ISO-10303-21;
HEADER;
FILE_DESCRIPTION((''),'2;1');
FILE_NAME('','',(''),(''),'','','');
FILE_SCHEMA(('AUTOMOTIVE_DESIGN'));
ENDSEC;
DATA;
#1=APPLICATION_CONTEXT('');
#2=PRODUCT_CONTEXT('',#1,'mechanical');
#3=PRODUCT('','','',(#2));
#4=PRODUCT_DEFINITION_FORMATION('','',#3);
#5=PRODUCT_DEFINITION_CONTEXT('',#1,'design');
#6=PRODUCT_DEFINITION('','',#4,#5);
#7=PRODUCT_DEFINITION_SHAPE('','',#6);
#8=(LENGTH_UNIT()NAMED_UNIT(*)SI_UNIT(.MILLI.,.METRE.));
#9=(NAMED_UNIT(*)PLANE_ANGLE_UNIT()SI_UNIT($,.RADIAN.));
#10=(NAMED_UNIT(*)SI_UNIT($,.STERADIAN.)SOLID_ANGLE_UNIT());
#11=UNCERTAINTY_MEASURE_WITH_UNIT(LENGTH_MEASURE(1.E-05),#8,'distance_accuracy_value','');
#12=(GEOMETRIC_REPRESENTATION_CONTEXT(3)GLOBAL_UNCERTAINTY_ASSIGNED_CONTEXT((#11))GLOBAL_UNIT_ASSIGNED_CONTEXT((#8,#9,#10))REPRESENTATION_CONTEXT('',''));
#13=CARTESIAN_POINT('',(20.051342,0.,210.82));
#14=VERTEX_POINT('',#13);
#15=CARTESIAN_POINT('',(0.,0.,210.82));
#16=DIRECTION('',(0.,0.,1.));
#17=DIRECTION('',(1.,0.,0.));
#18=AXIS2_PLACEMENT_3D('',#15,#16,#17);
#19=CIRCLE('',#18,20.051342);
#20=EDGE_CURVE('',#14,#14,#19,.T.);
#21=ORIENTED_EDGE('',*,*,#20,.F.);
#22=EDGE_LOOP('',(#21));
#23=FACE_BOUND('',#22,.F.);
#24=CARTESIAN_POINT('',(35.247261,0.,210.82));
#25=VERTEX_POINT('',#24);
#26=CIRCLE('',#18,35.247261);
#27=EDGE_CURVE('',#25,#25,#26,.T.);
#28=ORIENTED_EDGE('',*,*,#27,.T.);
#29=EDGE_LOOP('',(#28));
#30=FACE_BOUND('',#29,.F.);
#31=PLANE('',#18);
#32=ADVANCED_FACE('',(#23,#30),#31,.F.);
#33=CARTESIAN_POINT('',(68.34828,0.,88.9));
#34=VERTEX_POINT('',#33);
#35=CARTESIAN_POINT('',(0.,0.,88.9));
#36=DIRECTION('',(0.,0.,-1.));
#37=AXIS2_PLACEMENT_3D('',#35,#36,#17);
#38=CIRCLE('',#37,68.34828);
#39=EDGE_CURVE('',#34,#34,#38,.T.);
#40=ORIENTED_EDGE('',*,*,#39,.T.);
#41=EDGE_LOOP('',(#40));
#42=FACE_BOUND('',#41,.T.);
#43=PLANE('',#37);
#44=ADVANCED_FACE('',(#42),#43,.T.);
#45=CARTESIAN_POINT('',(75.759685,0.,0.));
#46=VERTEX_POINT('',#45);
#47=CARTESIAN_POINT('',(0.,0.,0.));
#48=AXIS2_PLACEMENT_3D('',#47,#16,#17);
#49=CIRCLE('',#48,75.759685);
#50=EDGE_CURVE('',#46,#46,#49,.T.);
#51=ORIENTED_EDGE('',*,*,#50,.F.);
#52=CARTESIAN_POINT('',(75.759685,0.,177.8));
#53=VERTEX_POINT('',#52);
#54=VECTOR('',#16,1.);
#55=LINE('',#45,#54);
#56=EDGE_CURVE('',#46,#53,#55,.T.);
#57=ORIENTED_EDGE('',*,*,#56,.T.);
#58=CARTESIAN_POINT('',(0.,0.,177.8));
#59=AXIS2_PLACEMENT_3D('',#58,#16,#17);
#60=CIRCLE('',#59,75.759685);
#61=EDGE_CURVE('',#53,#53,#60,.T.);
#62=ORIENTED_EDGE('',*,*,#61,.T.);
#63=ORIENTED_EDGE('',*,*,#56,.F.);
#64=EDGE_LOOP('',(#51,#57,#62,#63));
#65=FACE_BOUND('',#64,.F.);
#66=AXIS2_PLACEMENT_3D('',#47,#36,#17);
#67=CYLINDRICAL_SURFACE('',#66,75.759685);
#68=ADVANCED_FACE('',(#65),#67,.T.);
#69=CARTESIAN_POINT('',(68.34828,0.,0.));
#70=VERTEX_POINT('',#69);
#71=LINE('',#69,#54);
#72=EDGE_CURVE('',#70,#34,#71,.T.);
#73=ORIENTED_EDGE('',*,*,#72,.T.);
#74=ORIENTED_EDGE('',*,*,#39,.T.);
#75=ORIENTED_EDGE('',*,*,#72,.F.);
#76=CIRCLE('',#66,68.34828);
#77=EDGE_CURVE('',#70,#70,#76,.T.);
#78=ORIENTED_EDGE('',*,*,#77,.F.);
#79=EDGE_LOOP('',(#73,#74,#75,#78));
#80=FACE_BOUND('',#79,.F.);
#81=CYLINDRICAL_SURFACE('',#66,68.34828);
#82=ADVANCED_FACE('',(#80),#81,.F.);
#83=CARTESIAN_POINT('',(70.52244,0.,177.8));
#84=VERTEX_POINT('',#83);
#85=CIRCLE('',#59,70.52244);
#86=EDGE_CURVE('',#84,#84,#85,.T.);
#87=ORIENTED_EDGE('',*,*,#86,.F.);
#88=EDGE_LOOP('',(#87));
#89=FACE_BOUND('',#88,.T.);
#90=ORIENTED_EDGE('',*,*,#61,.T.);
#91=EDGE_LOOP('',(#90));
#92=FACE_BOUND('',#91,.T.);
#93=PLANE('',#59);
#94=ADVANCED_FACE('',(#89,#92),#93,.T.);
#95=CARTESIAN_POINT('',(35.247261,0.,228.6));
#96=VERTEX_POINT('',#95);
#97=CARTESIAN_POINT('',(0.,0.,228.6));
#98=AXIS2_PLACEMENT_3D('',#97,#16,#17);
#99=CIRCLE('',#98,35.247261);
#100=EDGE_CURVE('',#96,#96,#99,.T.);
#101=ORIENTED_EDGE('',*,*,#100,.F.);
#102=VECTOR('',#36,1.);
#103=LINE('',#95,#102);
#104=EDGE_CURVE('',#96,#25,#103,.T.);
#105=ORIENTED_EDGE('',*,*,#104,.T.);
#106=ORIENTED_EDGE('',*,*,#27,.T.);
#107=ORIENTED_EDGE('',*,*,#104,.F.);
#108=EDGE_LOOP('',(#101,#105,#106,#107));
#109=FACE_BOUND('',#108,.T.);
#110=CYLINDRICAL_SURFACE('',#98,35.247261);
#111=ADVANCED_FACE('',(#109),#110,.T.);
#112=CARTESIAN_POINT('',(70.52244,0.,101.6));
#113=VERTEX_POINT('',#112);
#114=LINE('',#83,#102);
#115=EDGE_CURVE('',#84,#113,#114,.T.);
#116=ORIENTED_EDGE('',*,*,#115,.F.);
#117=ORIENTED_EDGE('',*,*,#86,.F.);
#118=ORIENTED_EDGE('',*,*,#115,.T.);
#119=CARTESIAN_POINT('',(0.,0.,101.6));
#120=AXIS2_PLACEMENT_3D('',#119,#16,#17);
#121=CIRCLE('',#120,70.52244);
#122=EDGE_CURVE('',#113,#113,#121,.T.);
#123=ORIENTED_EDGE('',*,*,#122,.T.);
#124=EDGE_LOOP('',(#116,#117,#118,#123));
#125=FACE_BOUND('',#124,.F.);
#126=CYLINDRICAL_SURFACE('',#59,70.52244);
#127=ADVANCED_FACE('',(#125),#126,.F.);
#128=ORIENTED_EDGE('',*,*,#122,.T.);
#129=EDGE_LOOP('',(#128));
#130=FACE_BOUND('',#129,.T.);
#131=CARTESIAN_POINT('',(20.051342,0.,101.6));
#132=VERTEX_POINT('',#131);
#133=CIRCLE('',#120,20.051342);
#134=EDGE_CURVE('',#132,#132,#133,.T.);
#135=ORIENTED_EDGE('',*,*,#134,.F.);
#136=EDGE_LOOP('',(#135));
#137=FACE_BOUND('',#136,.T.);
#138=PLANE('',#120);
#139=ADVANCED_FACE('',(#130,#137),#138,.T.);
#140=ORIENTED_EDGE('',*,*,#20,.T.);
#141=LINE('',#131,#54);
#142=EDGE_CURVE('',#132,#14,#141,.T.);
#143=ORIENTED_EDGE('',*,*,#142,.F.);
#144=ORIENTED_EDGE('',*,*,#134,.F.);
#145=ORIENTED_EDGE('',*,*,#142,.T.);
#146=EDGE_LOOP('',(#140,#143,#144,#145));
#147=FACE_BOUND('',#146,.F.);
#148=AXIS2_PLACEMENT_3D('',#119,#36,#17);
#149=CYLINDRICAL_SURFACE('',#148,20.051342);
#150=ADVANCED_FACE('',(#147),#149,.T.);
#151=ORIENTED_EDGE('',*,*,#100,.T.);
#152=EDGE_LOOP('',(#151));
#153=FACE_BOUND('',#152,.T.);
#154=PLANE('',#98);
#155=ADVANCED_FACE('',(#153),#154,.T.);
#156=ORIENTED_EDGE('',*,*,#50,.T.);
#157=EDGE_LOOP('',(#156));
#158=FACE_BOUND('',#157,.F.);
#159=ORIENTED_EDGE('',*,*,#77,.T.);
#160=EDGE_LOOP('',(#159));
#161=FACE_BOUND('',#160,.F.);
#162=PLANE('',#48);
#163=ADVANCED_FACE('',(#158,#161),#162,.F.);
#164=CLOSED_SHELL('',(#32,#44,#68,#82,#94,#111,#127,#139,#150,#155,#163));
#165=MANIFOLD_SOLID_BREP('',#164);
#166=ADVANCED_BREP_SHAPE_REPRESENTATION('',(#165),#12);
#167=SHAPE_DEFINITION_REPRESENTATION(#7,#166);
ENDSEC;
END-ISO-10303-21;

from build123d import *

# Parameters (mm, degrees)
F0_R     = 75.759685
F1_DEPTH = 177.8
F2_R     = 70.52244
F3_DEPTH = 76.2
F4_R     = 20.051342
F5_DEPTH = 127
F6_R     = 35.247261
F6_R_2   = 20.051342
F7_DEPTH = 17.78
F8_R     = 68.34828
F9_DEPTH = 88.9


with BuildPart() as f1:
    # F0 (on Top) → F1 (new body)
    with BuildSketch(Plane.XY):
        Circle(F0_R)
    extrude(amount=F1_DEPTH)

    # F2 (on face) → F3 (cut)
    with BuildSketch(Plane.XY.offset(177.8)):
        Circle(F2_R)
    extrude(amount=-F3_DEPTH, mode=Mode.SUBTRACT)

    # F4 (on face) → F5 (join)
    with BuildSketch(Plane.XY.offset(101.6)):
        Circle(F4_R)
    extrude(amount=F5_DEPTH)

    # F6 (on face) → F7 (join)
    with BuildSketch(Plane.XY.offset(228.6)):
        Circle(F6_R)
        Circle(F6_R_2, mode=Mode.SUBTRACT)
    extrude(amount=-F7_DEPTH)

    # F8 (on face) → F9 (cut)
    with BuildSketch(Plane(origin=(0, 0, 0), x_dir=(1, 0, 0), z_dir=(0, 0, -1))):
        Circle(F8_R)
    extrude(amount=-F9_DEPTH, mode=Mode.SUBTRACT)


solid = f1.part
